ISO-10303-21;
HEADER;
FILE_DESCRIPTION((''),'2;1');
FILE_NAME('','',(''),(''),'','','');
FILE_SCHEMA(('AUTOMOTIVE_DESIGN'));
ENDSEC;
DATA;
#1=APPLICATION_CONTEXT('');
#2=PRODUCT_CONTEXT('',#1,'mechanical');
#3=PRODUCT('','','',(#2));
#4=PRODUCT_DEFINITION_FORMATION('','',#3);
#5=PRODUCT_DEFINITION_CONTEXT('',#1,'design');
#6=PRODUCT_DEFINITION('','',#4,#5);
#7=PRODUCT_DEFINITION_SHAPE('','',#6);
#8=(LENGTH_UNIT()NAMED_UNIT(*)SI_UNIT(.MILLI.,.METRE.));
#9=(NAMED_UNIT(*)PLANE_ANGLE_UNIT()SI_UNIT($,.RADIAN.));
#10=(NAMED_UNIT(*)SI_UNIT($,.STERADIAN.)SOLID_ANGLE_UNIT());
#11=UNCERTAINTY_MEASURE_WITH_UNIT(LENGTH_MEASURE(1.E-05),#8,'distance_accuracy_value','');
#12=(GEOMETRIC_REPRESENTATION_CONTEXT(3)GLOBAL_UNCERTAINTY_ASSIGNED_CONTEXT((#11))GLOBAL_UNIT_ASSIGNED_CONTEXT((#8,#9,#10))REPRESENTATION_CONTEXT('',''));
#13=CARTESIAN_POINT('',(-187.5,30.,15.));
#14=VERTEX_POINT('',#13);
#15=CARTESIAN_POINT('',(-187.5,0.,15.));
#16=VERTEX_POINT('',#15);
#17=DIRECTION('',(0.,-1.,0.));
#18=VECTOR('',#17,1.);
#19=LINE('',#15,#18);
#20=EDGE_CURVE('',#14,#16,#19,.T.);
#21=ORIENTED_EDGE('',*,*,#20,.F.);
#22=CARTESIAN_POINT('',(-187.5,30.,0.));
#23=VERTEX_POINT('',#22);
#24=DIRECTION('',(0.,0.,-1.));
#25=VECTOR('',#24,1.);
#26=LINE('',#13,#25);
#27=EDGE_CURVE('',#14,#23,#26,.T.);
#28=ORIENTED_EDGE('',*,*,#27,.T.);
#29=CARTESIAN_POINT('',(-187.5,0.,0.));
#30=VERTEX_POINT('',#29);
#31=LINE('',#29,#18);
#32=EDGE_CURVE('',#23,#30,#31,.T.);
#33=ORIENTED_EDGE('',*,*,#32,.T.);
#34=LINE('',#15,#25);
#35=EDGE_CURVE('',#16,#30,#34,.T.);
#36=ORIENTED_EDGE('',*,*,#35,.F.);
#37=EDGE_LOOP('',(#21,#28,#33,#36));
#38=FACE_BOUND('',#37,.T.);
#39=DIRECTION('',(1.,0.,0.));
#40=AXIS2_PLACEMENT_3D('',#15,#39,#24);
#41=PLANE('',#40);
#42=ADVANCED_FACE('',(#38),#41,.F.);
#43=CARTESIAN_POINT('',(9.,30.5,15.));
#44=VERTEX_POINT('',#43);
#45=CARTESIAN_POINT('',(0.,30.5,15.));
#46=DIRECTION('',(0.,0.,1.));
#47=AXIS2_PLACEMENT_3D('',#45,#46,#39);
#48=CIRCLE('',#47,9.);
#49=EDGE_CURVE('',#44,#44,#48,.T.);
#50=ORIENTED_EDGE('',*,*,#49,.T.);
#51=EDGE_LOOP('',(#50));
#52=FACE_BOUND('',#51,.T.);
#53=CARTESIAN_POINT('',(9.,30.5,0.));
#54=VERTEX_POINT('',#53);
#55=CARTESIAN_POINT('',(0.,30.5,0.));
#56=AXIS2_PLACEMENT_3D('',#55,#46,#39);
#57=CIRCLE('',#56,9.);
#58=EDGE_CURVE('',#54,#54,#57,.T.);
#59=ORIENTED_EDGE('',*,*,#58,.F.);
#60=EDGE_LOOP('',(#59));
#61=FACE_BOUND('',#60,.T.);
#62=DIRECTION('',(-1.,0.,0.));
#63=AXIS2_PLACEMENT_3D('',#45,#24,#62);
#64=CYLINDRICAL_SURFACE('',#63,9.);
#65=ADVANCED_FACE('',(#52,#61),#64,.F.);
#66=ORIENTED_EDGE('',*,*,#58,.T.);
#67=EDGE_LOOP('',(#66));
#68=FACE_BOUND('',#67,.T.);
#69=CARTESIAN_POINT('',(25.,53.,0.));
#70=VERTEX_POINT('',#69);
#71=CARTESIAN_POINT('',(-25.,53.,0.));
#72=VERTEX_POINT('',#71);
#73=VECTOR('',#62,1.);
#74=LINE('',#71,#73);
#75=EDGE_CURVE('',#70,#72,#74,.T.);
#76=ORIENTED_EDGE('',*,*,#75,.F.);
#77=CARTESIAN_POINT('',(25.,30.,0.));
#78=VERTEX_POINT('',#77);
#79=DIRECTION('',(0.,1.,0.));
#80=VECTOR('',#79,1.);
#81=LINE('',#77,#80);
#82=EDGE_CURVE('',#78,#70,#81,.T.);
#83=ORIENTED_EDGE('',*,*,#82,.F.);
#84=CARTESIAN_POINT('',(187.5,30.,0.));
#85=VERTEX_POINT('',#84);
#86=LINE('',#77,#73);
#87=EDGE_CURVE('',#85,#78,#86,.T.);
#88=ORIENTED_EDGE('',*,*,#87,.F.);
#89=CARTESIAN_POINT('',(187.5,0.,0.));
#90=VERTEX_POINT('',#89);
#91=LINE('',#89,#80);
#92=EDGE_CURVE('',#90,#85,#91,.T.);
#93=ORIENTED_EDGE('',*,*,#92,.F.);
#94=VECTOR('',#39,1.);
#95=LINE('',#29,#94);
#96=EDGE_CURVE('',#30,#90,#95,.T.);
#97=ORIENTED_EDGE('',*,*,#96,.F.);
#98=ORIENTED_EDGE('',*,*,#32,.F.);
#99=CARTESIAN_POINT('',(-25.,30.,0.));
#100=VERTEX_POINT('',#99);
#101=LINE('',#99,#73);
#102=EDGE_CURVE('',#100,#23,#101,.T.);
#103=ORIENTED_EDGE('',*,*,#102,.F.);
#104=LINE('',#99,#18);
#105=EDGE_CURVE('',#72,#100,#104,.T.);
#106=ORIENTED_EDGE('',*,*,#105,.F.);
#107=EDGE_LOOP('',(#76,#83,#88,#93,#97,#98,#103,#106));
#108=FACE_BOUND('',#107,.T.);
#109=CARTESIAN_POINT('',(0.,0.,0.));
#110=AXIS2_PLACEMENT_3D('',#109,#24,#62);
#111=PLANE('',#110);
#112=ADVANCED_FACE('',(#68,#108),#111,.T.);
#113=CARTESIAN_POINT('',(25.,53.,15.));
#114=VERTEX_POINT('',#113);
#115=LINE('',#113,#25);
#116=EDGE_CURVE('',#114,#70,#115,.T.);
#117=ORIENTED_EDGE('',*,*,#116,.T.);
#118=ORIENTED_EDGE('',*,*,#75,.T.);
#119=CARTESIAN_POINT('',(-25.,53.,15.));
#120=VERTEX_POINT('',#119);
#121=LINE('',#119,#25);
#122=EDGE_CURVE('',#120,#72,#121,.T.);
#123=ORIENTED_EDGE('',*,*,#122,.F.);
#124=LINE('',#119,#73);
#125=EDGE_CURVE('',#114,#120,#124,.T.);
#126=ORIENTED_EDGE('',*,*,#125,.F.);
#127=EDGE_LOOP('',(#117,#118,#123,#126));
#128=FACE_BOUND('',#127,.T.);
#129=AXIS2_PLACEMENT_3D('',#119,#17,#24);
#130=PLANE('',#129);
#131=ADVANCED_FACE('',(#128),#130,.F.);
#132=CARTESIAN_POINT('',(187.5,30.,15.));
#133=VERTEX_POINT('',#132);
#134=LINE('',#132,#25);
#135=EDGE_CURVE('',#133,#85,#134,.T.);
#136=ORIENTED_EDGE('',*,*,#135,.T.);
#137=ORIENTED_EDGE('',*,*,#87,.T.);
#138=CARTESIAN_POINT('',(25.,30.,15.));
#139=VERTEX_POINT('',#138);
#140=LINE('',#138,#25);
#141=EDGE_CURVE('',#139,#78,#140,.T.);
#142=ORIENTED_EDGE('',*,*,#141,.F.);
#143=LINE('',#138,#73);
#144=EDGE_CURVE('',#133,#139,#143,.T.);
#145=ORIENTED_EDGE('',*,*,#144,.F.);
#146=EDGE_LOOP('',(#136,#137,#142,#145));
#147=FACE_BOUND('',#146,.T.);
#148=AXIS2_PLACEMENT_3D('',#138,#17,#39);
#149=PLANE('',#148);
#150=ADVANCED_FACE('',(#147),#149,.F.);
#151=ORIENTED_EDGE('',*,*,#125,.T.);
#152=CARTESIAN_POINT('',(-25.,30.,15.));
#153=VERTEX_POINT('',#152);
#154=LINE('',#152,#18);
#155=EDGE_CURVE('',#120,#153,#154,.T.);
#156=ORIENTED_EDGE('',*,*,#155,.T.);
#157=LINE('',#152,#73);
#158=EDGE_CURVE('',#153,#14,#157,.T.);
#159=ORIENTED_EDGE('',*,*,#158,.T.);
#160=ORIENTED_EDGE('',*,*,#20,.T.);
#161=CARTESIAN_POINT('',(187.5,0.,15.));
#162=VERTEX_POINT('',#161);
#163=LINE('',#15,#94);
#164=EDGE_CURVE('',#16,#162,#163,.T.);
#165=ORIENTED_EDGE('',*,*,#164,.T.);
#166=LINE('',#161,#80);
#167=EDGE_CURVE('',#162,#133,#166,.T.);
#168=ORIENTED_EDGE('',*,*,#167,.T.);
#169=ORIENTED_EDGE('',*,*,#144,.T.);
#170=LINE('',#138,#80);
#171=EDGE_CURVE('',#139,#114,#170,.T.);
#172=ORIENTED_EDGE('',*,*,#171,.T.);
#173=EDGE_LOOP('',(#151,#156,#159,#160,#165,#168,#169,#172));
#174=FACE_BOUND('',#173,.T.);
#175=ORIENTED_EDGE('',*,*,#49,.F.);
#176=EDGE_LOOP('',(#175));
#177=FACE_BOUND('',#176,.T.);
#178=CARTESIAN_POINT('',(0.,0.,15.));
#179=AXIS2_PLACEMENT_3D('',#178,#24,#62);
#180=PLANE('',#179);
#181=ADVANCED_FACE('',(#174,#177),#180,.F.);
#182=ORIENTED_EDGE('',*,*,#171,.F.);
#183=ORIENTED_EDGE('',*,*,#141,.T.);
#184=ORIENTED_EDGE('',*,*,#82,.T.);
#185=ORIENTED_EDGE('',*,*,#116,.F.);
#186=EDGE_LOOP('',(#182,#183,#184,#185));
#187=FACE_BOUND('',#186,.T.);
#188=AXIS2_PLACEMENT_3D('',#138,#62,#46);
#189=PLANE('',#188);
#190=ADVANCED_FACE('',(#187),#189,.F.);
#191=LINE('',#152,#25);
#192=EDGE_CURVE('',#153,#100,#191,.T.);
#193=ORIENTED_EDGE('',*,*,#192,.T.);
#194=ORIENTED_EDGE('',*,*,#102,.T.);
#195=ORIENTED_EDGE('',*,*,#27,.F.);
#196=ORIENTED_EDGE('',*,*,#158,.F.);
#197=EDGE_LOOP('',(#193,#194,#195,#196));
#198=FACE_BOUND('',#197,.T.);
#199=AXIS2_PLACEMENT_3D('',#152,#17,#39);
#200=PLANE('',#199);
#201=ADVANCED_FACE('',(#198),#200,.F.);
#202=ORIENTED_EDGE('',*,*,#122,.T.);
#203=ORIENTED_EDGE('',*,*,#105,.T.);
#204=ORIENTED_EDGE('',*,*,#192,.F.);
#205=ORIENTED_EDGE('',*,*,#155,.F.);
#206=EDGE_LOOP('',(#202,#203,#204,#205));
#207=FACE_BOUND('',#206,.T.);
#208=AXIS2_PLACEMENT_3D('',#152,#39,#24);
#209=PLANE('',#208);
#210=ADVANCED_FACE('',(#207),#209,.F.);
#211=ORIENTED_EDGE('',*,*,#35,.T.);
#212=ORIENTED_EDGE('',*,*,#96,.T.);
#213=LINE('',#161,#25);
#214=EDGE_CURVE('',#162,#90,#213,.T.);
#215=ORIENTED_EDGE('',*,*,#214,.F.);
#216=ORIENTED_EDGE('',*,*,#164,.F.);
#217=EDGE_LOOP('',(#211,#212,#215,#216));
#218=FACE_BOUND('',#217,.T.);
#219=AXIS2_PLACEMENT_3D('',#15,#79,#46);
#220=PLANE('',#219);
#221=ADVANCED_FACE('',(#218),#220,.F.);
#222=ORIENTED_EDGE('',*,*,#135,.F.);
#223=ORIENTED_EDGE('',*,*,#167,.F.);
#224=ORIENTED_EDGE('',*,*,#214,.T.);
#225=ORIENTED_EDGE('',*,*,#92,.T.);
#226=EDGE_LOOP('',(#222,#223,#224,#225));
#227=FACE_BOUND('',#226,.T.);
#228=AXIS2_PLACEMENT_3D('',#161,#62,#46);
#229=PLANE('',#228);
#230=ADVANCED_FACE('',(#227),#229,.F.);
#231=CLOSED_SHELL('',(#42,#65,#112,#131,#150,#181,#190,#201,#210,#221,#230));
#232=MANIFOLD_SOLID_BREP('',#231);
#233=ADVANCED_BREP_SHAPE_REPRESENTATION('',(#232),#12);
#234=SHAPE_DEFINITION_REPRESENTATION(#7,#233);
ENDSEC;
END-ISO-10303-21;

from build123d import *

# Parameters (mm, degrees)
CROQUIS1_R              = 9
SALIENTE_EXTRUIR1_DEPTH = 15


with BuildPart() as part:
    # Croquis1 → Saliente-Extruir1 (new body)
    with BuildSketch(Plane.XY):
        Polygon((-187.5, 0), (187.5, 0), (187.5, 30), (25, 30), (25, 53), (-25, 53), (-25, 30), (-187.5, 30), align=None)
        with Locations((0, 30.5)):
            Circle(CROQUIS1_R, mode=Mode.SUBTRACT)
    extrude(amount=SALIENTE_EXTRUIR1_DEPTH)


solid = part.part
